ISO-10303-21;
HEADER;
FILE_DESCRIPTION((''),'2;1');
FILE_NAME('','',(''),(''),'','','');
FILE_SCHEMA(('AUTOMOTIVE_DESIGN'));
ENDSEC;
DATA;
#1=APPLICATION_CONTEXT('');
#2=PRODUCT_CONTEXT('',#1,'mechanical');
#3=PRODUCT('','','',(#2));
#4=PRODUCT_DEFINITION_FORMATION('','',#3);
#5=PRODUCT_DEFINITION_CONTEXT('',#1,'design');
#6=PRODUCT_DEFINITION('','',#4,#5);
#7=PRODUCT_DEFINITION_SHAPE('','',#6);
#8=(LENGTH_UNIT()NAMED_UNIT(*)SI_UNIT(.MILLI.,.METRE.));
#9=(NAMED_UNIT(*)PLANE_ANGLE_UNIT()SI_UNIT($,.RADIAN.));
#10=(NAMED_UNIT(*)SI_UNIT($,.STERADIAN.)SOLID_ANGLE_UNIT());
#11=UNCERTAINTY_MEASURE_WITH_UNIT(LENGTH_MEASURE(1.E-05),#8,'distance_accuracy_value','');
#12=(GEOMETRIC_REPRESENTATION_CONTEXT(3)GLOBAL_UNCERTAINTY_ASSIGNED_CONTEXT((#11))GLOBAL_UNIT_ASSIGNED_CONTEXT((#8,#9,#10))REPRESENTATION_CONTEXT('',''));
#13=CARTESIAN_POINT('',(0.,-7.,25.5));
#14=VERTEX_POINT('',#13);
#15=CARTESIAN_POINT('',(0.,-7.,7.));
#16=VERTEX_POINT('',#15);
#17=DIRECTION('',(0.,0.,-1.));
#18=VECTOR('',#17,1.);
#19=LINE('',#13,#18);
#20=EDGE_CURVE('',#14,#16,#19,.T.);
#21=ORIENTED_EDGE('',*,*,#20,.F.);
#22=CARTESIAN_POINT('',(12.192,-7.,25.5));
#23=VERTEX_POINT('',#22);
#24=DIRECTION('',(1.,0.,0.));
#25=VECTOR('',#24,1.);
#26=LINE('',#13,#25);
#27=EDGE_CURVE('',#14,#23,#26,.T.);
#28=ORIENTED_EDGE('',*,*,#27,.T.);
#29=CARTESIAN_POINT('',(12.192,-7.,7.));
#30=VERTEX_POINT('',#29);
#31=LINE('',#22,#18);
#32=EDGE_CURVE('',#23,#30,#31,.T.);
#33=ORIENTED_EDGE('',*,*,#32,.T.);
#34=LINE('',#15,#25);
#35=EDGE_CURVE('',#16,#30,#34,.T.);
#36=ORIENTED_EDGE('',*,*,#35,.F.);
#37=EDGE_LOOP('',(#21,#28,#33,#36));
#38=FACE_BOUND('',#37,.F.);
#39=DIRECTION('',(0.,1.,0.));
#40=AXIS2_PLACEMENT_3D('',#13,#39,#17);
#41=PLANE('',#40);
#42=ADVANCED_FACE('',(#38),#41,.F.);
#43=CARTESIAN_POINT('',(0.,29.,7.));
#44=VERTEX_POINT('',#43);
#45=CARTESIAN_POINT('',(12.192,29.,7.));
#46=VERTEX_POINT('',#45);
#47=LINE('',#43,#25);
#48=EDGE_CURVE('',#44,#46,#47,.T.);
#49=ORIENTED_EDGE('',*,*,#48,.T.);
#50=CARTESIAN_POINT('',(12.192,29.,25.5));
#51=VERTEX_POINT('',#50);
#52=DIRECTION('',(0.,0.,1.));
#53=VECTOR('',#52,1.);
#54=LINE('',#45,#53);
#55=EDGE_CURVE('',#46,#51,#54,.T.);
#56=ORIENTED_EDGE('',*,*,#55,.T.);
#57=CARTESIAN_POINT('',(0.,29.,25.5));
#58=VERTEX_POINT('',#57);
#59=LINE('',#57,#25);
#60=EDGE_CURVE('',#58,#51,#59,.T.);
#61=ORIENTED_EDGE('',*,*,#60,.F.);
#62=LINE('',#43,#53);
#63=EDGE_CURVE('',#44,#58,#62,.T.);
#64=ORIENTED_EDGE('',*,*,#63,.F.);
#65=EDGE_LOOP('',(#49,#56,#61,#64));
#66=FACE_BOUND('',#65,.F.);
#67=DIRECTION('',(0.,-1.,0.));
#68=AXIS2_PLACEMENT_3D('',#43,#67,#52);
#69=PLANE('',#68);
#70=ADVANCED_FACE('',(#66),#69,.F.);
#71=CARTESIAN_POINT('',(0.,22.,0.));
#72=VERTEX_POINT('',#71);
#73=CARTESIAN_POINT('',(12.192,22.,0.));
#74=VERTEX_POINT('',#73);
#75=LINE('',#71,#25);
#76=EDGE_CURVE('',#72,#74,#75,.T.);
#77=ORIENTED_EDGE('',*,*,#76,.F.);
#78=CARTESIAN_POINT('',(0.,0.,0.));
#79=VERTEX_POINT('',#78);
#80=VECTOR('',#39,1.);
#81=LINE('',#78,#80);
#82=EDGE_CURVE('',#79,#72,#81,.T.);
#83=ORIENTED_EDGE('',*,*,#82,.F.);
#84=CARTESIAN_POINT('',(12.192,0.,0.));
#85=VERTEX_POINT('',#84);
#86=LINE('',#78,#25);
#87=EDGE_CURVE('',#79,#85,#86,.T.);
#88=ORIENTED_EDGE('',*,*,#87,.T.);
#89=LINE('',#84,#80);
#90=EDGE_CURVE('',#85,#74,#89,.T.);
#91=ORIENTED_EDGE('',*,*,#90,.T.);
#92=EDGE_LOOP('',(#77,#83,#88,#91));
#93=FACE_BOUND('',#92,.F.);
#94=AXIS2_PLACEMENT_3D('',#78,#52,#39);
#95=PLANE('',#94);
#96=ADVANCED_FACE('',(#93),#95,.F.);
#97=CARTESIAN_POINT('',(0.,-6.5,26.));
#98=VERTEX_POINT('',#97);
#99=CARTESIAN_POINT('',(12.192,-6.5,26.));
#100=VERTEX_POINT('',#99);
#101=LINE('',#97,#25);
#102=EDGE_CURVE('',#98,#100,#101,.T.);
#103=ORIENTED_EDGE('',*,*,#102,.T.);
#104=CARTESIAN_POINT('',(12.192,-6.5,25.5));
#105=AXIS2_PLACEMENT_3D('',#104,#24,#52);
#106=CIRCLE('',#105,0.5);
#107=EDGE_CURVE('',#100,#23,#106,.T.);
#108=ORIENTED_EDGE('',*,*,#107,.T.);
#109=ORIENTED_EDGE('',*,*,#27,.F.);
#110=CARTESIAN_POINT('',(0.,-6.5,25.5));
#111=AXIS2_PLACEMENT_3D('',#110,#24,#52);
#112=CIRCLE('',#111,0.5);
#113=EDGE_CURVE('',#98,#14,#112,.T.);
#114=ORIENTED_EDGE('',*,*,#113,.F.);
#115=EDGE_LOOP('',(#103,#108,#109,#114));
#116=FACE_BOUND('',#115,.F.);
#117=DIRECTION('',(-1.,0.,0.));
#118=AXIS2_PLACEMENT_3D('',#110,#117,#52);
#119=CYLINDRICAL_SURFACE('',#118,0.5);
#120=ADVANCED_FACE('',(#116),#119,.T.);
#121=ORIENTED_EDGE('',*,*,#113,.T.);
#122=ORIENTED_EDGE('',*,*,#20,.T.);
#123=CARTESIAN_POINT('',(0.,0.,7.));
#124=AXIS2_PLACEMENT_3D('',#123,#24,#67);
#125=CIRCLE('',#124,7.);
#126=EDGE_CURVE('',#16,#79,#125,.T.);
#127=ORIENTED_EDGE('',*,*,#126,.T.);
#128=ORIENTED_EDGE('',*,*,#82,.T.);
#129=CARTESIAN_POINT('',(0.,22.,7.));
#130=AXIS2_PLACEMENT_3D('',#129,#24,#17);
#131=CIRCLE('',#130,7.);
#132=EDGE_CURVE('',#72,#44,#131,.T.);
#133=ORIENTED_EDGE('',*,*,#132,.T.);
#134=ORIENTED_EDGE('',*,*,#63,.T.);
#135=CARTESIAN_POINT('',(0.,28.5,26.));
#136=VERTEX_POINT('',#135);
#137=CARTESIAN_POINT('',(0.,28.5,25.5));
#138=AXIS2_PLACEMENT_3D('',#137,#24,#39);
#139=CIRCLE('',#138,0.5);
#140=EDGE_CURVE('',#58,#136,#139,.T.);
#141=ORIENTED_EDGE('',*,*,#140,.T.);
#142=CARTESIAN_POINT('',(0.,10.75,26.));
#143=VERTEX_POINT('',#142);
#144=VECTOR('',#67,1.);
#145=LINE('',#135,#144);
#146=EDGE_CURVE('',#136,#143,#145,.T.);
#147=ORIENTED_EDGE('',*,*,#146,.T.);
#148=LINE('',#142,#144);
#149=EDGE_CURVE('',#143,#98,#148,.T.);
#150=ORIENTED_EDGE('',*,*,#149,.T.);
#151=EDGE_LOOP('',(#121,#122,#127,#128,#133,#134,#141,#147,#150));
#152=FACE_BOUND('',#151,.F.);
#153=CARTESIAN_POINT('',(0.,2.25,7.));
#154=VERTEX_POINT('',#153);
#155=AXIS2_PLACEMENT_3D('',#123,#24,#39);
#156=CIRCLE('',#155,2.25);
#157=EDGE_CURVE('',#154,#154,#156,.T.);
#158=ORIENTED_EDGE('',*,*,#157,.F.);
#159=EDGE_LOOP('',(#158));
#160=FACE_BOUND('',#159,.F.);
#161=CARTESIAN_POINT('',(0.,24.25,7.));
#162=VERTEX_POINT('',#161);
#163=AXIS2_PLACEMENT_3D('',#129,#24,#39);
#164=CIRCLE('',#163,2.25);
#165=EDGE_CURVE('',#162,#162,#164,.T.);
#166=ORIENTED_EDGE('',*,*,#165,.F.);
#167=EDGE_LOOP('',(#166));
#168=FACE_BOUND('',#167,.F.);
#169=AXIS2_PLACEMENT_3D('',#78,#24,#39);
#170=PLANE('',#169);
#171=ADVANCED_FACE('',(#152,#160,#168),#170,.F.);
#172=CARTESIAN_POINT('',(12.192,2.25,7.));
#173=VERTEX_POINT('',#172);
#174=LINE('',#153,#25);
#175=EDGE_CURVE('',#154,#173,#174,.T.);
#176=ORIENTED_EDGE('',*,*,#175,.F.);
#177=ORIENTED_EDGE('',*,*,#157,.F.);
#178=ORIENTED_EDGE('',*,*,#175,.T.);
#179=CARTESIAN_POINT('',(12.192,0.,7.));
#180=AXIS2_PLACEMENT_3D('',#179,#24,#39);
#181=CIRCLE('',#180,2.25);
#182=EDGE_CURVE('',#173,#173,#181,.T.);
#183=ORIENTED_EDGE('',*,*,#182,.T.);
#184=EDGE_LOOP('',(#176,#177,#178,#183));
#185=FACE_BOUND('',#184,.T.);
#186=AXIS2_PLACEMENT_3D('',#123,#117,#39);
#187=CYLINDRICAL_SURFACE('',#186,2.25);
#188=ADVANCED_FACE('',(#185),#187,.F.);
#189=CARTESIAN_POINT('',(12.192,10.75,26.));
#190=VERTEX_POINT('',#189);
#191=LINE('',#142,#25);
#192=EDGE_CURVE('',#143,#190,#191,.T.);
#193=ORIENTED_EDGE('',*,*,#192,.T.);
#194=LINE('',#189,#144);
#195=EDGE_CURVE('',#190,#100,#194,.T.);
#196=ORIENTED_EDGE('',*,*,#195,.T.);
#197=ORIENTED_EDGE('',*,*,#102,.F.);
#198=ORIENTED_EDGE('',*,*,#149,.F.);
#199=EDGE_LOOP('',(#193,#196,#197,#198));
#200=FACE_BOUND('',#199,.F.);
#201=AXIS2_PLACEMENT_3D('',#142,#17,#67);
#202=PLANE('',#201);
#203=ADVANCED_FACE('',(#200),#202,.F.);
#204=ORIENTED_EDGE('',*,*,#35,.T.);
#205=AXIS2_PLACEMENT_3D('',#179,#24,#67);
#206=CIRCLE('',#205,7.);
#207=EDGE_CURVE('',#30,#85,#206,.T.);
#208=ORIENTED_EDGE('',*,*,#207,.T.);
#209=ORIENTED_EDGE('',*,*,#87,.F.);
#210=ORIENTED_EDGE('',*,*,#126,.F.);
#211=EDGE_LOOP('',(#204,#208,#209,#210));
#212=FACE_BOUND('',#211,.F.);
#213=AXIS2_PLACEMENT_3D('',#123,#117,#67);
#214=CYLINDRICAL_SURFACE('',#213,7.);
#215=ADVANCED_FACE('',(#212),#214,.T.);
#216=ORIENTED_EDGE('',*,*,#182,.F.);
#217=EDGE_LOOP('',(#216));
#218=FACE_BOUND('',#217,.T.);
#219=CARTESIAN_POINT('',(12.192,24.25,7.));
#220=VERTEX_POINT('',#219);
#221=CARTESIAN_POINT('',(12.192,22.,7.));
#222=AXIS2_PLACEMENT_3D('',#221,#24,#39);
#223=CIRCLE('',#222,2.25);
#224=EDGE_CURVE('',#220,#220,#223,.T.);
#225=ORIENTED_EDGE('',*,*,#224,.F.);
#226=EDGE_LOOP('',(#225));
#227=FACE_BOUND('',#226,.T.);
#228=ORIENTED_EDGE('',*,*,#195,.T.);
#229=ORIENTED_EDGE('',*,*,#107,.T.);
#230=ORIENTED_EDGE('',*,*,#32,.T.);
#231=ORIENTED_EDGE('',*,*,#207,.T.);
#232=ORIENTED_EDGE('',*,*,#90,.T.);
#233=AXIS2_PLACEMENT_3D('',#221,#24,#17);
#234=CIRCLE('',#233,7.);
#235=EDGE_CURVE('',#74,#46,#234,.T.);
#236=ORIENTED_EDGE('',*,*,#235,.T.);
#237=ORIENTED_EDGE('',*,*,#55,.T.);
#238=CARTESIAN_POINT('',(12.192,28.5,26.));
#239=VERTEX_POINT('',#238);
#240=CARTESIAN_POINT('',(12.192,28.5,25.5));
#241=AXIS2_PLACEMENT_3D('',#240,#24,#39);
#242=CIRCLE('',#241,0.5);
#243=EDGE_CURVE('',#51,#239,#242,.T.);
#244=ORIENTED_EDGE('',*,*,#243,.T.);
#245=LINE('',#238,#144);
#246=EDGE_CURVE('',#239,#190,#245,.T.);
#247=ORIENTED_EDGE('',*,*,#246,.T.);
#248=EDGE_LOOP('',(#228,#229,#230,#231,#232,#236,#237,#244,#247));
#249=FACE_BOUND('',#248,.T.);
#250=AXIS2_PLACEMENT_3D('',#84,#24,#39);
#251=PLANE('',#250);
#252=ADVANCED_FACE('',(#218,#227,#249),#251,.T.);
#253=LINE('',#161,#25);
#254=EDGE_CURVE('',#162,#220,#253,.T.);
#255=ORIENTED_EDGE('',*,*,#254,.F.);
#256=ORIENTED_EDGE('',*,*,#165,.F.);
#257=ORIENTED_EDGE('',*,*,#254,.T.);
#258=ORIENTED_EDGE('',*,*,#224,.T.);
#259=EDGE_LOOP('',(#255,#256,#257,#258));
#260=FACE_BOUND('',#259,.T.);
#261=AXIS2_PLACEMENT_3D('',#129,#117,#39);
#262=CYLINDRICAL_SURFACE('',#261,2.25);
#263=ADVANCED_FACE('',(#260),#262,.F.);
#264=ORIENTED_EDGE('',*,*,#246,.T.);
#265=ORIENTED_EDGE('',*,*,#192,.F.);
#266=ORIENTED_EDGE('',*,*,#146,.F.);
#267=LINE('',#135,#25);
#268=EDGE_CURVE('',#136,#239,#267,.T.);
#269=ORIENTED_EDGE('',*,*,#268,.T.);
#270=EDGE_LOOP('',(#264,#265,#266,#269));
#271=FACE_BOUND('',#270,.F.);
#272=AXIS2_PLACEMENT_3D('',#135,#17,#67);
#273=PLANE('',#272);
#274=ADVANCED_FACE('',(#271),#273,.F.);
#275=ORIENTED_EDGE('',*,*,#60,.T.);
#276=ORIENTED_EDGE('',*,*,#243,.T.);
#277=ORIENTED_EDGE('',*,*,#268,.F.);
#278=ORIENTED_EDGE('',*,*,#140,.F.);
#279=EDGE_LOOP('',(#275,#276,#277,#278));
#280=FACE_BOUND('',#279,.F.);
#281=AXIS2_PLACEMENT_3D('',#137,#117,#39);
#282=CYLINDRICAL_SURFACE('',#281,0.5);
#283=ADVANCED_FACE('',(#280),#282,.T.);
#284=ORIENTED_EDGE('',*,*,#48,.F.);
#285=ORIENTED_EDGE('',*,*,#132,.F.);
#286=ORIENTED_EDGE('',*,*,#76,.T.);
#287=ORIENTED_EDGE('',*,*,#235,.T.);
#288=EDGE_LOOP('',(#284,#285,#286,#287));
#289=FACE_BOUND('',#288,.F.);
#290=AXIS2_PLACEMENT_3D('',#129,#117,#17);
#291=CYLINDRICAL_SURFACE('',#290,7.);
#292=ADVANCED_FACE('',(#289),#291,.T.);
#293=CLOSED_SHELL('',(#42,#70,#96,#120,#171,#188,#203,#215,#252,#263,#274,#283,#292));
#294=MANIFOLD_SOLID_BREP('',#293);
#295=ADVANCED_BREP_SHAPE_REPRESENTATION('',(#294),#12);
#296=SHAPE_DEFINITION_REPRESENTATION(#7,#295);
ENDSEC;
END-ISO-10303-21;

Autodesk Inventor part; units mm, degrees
ref_plane "YZ Plane" through (0, 0, 0) normal (1, 0, 0) x (0, 1, 0)
ref_plane "XZ Plane" through (0, 0, 0) normal (0, 1, 0) x (-1, 0, 0)
ref_plane "XY Plane" through (0, 0, 0) normal (0, 0, 1) x (1, 0, 0)
sketch "Sketch1" plane through (0, 0, 0) normal (1, 0, 0) x (0, 1, 0)
  line L0 (10.75, 26) -> (-6.5, 26)
  arc A0 (-6.5, 26) -> (-7, 25.5) centre (-6.5, 25.5) ccw
  line L1 (-7, 25.5) -> (-7, 7)
  arc A1 (-7, 7) -> (0, 0) centre (0, 7) ccw
  line L2 (0, 0) -> (22, 0)
  arc A2 (22, 0) -> (29, 7) centre (22, 7) ccw
  line L3 (29, 7) -> (29, 25.5)
  arc A3 (29, 25.5) -> (28.5, 26) centre (28.5, 25.5) ccw
  line L4 (28.5, 26) -> (-6.5, 26)
  circle A4 centre (0, 7) radius 2.25
  circle A5 centre (22, 7) radius 2.25
  point P0 (0, 0)
  point P1 (-7, 7)
  point P2 (0, 0)
extrude "Extrusion1" add sketch "Sketch1" along normal blind 12.192
